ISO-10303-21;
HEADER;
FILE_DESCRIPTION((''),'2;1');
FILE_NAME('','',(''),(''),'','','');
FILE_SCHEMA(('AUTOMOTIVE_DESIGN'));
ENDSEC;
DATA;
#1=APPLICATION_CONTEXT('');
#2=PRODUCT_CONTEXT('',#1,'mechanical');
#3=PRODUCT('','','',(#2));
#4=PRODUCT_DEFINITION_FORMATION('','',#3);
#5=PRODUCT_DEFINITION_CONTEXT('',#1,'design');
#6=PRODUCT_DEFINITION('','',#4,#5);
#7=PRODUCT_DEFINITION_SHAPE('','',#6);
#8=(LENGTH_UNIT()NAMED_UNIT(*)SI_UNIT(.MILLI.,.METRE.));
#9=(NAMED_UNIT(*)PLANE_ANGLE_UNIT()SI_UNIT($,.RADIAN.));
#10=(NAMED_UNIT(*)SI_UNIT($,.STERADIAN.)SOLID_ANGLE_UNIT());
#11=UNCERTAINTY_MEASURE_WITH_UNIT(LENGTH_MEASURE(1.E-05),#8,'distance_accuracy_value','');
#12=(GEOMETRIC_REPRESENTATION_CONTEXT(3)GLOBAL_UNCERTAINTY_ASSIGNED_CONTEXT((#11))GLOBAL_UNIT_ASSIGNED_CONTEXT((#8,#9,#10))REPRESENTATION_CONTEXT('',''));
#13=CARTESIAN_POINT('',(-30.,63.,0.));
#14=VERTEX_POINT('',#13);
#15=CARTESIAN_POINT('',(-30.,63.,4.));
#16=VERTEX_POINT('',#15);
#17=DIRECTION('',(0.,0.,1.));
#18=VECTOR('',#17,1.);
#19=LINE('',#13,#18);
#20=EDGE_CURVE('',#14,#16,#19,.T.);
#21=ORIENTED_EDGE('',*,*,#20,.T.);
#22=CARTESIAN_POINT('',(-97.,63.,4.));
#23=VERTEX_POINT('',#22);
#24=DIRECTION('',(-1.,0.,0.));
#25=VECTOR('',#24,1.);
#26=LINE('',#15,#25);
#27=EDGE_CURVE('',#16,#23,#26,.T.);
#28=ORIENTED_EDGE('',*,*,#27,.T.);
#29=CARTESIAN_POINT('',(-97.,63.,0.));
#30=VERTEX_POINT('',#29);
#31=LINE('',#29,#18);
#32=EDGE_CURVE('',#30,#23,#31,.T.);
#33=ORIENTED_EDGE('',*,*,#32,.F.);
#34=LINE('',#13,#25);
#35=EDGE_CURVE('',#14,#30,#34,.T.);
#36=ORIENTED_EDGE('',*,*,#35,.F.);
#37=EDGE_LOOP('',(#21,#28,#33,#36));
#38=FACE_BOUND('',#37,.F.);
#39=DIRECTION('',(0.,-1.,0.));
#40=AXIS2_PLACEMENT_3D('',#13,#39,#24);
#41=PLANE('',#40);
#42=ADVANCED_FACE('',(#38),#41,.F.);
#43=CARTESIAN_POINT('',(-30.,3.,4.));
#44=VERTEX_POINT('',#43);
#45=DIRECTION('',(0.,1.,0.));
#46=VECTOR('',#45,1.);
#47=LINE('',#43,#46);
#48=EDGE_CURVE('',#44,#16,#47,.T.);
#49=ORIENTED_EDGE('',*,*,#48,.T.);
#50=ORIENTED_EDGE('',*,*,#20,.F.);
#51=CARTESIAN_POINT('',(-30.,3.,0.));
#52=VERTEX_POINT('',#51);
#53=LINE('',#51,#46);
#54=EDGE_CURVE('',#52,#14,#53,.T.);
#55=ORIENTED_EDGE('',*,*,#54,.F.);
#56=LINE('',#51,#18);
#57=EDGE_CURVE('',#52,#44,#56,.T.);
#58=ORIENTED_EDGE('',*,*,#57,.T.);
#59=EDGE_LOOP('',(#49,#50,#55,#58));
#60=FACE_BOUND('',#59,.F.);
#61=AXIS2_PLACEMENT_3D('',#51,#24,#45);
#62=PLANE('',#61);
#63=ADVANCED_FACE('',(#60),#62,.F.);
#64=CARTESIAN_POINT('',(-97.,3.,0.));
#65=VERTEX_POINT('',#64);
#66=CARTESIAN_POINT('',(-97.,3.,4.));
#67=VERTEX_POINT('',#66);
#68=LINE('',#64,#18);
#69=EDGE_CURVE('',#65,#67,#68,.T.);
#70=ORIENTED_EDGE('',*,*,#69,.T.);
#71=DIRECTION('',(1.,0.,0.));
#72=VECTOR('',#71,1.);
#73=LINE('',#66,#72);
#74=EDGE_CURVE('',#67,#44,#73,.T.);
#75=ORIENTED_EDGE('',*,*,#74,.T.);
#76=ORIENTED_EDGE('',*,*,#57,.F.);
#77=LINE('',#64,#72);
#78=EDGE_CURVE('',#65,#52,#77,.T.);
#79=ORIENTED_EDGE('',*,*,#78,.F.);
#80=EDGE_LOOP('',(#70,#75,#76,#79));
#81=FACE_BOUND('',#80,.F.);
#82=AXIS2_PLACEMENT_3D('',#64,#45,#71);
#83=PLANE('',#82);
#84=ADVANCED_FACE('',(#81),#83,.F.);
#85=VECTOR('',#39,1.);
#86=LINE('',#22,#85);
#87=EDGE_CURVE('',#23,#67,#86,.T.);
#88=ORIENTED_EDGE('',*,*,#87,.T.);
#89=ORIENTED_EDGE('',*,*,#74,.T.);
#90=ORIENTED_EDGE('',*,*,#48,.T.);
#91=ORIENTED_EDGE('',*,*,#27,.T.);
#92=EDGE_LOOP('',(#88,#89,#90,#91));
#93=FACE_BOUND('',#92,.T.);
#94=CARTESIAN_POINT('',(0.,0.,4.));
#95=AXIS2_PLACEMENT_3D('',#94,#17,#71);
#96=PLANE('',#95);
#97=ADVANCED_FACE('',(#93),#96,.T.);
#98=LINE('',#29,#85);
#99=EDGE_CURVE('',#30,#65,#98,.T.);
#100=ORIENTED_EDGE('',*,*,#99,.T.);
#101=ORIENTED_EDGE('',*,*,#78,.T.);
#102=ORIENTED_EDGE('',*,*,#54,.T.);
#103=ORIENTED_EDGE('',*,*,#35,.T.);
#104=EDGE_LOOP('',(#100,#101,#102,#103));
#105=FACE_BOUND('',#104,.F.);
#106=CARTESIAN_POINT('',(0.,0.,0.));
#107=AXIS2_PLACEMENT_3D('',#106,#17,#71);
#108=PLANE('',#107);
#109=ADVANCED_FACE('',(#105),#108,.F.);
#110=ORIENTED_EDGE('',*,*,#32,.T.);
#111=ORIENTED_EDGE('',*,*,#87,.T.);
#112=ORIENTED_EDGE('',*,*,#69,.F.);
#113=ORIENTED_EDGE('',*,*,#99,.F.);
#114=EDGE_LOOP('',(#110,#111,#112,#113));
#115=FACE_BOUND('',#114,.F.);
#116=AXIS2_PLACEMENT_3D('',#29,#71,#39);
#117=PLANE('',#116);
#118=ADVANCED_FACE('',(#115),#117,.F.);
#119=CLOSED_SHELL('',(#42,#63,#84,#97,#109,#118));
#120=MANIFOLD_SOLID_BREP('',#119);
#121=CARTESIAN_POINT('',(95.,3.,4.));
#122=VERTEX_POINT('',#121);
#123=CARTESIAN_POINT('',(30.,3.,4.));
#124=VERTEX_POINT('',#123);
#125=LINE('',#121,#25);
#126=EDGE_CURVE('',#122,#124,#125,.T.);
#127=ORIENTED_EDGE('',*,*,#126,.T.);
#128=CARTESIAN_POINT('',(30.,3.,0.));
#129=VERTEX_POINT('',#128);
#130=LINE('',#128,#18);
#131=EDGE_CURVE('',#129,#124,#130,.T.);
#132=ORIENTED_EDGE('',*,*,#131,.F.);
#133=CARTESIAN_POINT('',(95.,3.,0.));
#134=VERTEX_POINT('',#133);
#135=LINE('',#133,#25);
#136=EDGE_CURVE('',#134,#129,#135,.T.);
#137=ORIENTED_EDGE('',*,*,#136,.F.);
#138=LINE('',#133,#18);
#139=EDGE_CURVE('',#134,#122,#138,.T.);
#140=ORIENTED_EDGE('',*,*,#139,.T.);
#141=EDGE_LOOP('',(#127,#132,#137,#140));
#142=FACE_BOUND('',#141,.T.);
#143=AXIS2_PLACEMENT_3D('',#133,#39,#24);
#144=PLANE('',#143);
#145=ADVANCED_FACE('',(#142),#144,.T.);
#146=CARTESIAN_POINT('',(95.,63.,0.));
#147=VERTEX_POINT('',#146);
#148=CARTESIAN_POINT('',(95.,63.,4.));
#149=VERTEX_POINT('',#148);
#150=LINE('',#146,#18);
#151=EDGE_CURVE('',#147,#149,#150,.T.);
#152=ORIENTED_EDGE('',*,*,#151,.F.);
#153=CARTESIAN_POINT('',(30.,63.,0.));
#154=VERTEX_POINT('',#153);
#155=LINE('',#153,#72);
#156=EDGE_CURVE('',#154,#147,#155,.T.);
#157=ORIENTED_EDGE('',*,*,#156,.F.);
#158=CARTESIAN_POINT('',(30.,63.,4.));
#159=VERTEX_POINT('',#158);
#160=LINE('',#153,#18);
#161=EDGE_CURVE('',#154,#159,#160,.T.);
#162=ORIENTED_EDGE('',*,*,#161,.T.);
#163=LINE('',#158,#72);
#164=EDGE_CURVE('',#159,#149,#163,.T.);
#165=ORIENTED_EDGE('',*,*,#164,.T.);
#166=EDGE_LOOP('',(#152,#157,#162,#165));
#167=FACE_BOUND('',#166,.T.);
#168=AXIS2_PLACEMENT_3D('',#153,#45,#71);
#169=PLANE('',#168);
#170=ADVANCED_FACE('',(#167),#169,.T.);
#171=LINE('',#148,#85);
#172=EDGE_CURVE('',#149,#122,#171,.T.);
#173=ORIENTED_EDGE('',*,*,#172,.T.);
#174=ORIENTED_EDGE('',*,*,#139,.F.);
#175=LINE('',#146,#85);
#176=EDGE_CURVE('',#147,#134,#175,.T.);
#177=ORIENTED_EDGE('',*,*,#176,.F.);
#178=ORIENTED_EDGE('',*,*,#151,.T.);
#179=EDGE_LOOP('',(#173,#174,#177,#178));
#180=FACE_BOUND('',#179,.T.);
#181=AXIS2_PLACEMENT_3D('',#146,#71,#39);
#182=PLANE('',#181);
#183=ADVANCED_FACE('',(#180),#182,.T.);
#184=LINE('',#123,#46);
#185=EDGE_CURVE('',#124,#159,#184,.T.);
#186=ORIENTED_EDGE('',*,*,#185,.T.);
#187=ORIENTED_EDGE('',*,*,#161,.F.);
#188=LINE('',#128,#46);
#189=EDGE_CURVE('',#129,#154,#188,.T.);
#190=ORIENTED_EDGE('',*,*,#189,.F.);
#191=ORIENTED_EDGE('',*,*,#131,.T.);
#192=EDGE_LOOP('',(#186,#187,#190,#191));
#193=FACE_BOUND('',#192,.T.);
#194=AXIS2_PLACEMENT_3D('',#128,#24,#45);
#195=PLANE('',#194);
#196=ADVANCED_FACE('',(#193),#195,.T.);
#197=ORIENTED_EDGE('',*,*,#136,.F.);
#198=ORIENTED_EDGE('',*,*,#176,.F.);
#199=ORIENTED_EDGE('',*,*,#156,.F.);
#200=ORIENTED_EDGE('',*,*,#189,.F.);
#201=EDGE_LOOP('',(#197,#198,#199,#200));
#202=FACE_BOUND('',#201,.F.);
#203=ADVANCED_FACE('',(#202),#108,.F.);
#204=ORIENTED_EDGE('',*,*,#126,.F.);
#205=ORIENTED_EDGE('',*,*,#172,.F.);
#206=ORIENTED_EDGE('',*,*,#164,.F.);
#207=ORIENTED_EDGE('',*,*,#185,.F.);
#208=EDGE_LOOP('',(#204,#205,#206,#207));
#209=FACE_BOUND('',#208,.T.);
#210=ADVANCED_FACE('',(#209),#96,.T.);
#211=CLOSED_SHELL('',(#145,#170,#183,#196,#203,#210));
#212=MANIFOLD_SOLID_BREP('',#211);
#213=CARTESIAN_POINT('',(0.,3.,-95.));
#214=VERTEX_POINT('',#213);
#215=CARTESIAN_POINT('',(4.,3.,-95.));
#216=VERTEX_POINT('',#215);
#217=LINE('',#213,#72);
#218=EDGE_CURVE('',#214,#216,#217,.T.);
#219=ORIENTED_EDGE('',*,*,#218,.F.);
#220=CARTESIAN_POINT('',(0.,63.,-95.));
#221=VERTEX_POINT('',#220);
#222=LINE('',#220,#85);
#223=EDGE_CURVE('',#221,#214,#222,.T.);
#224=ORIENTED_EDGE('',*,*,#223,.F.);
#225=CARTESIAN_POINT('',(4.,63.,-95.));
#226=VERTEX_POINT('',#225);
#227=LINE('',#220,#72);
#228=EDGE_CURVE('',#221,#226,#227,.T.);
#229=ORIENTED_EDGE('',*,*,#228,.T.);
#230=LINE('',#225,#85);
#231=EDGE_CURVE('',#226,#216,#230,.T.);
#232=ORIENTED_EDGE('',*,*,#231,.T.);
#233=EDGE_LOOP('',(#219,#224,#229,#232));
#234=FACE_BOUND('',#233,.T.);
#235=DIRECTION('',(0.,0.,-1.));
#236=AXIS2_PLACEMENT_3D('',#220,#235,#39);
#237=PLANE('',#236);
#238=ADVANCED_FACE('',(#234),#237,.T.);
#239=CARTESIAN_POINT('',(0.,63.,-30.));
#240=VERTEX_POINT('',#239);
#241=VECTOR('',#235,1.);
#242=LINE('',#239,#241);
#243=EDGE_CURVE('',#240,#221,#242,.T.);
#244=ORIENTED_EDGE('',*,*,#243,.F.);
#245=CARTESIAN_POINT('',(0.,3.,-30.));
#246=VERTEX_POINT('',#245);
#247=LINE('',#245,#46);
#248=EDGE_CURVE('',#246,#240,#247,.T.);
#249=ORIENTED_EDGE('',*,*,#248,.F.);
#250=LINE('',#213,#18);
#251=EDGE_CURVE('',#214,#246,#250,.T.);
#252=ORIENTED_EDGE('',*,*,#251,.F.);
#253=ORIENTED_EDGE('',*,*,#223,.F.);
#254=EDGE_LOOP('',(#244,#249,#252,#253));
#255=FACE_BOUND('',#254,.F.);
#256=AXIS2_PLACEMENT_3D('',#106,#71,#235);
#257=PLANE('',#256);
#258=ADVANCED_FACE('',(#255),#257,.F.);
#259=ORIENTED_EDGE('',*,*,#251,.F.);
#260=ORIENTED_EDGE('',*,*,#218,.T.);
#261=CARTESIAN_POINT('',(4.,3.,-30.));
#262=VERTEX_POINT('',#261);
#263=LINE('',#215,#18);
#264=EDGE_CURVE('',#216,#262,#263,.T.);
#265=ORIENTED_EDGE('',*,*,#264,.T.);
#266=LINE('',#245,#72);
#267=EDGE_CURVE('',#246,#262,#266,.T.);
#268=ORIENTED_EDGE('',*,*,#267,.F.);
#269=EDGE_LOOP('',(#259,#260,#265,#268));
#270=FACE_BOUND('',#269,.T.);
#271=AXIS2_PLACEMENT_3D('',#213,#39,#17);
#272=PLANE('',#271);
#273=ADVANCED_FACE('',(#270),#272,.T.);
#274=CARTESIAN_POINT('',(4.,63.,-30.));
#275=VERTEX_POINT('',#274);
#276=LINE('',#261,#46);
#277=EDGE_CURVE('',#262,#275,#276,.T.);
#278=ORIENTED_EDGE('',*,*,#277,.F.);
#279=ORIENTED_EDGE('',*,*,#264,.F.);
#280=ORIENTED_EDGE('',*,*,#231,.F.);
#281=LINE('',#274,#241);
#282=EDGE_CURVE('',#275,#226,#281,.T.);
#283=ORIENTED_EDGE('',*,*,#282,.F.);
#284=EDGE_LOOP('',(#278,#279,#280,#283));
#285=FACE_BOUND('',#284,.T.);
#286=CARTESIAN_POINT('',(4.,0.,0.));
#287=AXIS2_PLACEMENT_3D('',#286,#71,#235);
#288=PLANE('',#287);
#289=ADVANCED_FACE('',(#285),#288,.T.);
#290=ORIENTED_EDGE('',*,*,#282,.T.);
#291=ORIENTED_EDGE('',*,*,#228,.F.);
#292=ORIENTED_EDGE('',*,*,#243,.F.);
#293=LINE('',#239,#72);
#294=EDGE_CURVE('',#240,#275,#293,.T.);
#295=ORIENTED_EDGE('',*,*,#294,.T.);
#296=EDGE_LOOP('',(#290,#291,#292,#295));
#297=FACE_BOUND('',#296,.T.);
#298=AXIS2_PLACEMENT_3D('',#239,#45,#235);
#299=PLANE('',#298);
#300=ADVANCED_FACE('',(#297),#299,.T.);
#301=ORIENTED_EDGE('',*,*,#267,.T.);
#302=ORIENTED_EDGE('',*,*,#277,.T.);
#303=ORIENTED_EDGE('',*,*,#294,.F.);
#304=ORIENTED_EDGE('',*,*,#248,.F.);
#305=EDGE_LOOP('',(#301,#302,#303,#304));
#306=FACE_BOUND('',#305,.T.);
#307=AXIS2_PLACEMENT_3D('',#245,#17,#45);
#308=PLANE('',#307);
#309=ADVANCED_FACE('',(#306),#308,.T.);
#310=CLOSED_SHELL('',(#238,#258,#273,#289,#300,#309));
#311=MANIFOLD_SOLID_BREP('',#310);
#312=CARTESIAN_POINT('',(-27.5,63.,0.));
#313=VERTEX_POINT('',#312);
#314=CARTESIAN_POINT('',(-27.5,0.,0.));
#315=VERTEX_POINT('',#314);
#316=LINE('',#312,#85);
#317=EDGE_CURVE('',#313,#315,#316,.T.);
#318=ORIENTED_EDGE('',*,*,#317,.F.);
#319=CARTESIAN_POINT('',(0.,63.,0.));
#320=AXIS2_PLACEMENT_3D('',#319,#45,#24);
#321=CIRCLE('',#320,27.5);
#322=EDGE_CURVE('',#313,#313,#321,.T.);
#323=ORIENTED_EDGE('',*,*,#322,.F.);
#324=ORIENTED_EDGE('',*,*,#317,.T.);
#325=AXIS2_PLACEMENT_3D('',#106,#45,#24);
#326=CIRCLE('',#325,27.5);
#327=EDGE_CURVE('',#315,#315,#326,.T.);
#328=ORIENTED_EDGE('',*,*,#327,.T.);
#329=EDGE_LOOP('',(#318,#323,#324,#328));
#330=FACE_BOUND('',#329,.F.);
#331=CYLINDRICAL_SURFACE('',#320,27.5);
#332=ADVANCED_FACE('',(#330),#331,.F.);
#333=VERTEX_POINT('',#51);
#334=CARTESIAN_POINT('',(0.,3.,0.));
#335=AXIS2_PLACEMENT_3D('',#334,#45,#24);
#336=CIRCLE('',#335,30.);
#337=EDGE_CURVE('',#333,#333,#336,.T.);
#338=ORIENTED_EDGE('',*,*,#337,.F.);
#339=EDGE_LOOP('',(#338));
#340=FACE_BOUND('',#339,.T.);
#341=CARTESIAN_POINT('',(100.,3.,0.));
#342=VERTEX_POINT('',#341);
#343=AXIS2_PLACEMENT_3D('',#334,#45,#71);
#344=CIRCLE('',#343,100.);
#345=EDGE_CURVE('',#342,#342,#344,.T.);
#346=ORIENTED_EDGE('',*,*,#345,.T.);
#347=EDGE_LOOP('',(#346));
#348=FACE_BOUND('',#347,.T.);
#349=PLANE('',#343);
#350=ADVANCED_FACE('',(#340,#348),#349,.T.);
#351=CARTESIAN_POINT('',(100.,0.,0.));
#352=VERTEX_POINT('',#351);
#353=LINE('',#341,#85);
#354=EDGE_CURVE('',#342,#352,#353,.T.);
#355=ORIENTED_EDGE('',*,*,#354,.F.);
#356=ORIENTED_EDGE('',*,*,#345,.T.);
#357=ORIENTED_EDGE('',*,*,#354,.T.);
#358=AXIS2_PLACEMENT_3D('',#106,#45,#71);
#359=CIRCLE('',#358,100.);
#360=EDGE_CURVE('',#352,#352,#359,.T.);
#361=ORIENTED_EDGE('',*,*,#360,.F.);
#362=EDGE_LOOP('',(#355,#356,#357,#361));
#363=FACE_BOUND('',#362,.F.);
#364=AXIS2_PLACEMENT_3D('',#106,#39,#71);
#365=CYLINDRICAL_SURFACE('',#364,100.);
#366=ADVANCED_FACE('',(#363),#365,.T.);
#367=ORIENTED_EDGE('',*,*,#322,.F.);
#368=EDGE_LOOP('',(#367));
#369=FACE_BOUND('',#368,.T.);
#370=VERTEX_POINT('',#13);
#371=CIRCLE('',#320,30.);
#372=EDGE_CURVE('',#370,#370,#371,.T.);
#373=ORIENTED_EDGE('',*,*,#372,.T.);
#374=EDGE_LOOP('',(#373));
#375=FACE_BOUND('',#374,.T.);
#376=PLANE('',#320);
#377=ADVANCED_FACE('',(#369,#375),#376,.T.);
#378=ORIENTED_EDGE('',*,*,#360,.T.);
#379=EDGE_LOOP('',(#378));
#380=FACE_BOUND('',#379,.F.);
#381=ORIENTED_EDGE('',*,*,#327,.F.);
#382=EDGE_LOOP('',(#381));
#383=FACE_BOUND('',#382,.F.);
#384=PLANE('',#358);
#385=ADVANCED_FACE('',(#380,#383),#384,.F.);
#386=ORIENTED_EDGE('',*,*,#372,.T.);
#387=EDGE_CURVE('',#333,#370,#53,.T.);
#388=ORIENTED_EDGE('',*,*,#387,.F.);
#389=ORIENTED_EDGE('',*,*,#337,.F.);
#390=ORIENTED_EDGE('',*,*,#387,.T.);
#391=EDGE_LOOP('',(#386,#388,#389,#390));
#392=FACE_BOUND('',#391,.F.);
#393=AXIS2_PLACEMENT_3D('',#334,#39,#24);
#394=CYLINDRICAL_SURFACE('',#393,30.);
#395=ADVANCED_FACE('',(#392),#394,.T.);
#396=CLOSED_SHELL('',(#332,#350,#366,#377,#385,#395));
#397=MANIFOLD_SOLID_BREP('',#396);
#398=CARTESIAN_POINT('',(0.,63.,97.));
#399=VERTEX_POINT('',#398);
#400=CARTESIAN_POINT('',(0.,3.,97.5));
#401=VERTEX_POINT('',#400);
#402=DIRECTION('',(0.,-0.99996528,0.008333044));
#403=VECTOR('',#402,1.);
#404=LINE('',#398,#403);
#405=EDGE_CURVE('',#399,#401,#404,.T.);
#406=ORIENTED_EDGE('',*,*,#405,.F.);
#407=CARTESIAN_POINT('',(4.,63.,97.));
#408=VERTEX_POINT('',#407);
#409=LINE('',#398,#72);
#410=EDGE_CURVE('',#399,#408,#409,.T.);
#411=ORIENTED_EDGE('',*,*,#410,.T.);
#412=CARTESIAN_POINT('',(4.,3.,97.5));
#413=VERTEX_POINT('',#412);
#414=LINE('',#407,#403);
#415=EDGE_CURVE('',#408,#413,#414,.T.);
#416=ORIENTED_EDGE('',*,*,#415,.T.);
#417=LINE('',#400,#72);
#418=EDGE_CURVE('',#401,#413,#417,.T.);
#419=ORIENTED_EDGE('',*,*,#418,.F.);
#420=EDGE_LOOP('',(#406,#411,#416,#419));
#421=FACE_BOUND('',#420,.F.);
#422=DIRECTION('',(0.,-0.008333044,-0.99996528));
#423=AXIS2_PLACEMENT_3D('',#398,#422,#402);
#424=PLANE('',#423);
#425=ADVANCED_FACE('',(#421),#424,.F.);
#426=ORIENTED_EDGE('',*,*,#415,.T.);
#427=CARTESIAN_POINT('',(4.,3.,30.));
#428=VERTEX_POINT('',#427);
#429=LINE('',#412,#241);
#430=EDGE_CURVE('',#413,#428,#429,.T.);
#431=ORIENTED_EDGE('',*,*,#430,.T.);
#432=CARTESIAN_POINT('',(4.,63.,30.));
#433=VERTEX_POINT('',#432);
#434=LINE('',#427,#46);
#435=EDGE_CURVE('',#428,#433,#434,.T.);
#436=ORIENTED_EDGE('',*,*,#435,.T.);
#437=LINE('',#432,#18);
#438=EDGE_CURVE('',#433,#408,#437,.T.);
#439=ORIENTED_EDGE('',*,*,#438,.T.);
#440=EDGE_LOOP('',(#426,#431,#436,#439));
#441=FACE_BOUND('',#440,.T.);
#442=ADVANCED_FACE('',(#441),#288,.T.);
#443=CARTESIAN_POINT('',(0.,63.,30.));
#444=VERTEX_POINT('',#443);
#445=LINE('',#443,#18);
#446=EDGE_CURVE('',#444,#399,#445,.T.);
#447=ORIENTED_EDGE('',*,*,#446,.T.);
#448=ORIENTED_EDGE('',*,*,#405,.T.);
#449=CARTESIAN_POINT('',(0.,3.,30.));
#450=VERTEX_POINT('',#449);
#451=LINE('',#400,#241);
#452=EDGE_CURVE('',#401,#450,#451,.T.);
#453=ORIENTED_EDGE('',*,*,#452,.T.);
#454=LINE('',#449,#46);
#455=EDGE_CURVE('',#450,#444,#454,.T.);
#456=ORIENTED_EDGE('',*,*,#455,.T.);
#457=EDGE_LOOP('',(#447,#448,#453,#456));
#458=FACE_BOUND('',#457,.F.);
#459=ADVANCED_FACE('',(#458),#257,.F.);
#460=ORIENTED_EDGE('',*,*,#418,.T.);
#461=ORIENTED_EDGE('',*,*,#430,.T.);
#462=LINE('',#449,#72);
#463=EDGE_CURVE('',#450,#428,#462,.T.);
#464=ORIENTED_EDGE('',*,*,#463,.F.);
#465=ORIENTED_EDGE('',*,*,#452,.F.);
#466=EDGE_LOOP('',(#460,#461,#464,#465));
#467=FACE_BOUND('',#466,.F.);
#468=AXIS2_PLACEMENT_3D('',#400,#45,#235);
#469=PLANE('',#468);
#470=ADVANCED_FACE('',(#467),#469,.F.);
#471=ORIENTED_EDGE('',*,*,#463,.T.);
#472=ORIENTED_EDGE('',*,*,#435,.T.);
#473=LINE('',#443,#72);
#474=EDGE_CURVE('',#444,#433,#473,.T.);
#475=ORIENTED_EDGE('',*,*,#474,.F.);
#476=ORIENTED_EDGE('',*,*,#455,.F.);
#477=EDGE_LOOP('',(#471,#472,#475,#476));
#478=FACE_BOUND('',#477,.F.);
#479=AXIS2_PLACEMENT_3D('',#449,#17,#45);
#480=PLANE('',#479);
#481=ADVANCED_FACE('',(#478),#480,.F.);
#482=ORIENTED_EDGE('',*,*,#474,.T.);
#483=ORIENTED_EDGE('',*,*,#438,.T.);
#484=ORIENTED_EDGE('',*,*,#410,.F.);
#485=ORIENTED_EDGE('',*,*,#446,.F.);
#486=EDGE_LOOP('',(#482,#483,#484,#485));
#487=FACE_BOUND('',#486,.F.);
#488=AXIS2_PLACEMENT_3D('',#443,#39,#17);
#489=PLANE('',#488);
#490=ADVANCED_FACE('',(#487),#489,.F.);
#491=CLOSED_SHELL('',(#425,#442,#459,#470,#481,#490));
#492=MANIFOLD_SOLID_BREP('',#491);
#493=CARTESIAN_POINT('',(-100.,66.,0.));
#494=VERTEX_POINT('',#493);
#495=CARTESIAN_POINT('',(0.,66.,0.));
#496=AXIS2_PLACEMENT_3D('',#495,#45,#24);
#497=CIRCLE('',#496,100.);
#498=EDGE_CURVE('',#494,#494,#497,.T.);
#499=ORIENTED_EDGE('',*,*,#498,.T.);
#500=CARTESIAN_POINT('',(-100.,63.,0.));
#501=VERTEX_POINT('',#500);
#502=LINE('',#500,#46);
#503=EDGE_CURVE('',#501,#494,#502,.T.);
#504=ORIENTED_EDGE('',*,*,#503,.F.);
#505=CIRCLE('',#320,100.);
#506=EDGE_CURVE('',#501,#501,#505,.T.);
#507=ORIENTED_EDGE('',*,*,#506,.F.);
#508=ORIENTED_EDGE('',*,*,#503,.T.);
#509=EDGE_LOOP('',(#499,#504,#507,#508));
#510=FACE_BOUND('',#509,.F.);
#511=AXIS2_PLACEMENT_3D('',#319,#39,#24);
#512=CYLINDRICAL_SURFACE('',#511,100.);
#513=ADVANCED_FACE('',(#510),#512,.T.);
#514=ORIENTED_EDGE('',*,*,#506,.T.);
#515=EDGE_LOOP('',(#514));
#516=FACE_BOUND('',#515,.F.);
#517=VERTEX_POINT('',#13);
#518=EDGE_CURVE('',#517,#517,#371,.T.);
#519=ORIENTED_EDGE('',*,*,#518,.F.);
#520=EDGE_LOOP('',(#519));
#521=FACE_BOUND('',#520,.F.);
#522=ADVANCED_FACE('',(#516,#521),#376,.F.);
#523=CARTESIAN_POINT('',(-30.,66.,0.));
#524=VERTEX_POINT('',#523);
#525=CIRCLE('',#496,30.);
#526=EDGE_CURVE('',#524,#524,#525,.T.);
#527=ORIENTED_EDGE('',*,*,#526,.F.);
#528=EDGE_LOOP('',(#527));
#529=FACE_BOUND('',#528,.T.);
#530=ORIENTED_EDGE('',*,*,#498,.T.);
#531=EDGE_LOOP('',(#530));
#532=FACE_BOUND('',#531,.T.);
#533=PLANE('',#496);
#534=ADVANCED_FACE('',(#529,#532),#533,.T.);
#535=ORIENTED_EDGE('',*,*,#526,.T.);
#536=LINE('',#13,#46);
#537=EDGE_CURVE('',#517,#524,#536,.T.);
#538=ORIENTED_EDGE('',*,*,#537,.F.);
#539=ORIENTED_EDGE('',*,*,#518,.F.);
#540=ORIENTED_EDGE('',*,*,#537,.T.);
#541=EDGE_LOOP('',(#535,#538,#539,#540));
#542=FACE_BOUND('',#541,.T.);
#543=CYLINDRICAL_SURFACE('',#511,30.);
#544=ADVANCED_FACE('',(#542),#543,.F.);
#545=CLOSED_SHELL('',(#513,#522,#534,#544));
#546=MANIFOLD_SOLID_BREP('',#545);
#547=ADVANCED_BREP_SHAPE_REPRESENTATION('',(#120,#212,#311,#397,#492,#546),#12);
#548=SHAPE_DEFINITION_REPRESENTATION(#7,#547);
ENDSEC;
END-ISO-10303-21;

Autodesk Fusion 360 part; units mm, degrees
sketch "Sketch1" plane through (0, 0, 0) normal (0, 1, 0) x (1, 0, 0)
  circle A0 centre (0, 0) radius 100
  dimension "d1" = 200
extrude "Extrude1" add sketch "Sketch1" along normal blind 1 makes body 1
extrude "Extrude2" add 1 faces at (-27.1036, 1, 4.9681) along direction (0, 1, 0) blind 2 on bodies 1 bodies 1
sketch "Sketch2" plane through (0, 3, 0) normal (0, 1, 0) x (-1, 0, 0)
  circle A0 centre (0, 0) radius 100
  circle A1 centre (0, 0) radius 30
  dimension "d6" = 60
extrude "Extrude3" add sketch "Sketch2" along normal blind 60 contours A1 bodies 1
sketch "Sketch3" plane through (0, 63, 0) normal (0, 1, 0) x (-1, 0, 0)
  circle A0 centre (0, 0) radius 30
  circle A1 centre (0, 0) radius 100
  circle A2 centre (0, 0) radius 27.5
  dimension "d9" = 200
  dimension "d10" = 55
extrude "Extrude4" cut sketch "Sketch3" against normal blind 80 contours A2 bodies 1
sketch "Sketch4" plane through (0, 0, 0) normal (0, 1, 0) x (1, 0, 0)
sketch "Sketch5" plane through (0, 63, 0) normal (0, 1, 0) x (-1, 0, 0)
  circle A0 centre (0, 0) radius 27.5
  circle A1 centre (0, 0) radius 30
  circle A2 centre (0, 0) radius 100
  dimension "d13" = 200
extrude "Extrude5" add sketch "Sketch5" along normal blind 3 separate body contours A2 makes body 2
combine "Combine1" operation add target body 2 tool bodies 1
sketch "Sketch6" plane through (0, 0, 0) normal (0, 0, 1) x (1, 0, 0)
  line L0 (30, 63) -> (95, 63)
  line L1 (95, 63) -> (95, 3)
  line L2 (95, 3) -> (30, 3)
  line L3 (30, 3) -> (30, 63)
extrude "Extrude6" add sketch "Sketch6" along normal blind 4 separate body makes body 3
sketch "Sketch7" plane through (0, 0, 0) normal (1, 0, 0) x (0, 0, -1)
  line L0 (30, 63) -> (95, 63)
  line L1 (95, 63) -> (95, 3)
  line L2 (95, 3) -> (30, 3)
  line L3 (30, 3) -> (30, 63)
extrude "Extrude7" add sketch "Sketch7" along normal blind 4 separate body makes body 4
sketch "Sketch8" plane through (0, 0, 0) normal (0, 0, 1) x (1, 0, 0)
  line L0 (-30, 63) -> (-97, 63)
  line L1 (-97, 63) -> (-97, 3)
  line L2 (-97, 3) -> (-30, 3)
  line L3 (-30, 3) -> (-30, 63)
extrude "Extrude8" add sketch "Sketch8" along normal blind 4 separate body makes body 5
sketch "Sketch9" plane through (0, 0, 0) normal (1, 0, 0) x (0, 0, -1)
  line L0 (-30, 63) -> (-97, 63)
  line L1 (-97, 63) -> (-97.5, 3)
  line L2 (-97.5, 3) -> (-30, 3)
  line L3 (-30, 3) -> (-30, 63)
extrude "Extrude9" add sketch "Sketch9" along normal blind 4 separate body makes body 6
sketch "Sketch10" plane through (0, 0, 0) normal (-1, 0, 0) x (0, 0, 1)
  line L0 (30, 63) -> (30, 3)
  line L1 (30, 3) -> (97.5, 3)
  line L2 (97.5, 3) -> (97, 63)
  line L3 (97, 63) -> (30, 63)
